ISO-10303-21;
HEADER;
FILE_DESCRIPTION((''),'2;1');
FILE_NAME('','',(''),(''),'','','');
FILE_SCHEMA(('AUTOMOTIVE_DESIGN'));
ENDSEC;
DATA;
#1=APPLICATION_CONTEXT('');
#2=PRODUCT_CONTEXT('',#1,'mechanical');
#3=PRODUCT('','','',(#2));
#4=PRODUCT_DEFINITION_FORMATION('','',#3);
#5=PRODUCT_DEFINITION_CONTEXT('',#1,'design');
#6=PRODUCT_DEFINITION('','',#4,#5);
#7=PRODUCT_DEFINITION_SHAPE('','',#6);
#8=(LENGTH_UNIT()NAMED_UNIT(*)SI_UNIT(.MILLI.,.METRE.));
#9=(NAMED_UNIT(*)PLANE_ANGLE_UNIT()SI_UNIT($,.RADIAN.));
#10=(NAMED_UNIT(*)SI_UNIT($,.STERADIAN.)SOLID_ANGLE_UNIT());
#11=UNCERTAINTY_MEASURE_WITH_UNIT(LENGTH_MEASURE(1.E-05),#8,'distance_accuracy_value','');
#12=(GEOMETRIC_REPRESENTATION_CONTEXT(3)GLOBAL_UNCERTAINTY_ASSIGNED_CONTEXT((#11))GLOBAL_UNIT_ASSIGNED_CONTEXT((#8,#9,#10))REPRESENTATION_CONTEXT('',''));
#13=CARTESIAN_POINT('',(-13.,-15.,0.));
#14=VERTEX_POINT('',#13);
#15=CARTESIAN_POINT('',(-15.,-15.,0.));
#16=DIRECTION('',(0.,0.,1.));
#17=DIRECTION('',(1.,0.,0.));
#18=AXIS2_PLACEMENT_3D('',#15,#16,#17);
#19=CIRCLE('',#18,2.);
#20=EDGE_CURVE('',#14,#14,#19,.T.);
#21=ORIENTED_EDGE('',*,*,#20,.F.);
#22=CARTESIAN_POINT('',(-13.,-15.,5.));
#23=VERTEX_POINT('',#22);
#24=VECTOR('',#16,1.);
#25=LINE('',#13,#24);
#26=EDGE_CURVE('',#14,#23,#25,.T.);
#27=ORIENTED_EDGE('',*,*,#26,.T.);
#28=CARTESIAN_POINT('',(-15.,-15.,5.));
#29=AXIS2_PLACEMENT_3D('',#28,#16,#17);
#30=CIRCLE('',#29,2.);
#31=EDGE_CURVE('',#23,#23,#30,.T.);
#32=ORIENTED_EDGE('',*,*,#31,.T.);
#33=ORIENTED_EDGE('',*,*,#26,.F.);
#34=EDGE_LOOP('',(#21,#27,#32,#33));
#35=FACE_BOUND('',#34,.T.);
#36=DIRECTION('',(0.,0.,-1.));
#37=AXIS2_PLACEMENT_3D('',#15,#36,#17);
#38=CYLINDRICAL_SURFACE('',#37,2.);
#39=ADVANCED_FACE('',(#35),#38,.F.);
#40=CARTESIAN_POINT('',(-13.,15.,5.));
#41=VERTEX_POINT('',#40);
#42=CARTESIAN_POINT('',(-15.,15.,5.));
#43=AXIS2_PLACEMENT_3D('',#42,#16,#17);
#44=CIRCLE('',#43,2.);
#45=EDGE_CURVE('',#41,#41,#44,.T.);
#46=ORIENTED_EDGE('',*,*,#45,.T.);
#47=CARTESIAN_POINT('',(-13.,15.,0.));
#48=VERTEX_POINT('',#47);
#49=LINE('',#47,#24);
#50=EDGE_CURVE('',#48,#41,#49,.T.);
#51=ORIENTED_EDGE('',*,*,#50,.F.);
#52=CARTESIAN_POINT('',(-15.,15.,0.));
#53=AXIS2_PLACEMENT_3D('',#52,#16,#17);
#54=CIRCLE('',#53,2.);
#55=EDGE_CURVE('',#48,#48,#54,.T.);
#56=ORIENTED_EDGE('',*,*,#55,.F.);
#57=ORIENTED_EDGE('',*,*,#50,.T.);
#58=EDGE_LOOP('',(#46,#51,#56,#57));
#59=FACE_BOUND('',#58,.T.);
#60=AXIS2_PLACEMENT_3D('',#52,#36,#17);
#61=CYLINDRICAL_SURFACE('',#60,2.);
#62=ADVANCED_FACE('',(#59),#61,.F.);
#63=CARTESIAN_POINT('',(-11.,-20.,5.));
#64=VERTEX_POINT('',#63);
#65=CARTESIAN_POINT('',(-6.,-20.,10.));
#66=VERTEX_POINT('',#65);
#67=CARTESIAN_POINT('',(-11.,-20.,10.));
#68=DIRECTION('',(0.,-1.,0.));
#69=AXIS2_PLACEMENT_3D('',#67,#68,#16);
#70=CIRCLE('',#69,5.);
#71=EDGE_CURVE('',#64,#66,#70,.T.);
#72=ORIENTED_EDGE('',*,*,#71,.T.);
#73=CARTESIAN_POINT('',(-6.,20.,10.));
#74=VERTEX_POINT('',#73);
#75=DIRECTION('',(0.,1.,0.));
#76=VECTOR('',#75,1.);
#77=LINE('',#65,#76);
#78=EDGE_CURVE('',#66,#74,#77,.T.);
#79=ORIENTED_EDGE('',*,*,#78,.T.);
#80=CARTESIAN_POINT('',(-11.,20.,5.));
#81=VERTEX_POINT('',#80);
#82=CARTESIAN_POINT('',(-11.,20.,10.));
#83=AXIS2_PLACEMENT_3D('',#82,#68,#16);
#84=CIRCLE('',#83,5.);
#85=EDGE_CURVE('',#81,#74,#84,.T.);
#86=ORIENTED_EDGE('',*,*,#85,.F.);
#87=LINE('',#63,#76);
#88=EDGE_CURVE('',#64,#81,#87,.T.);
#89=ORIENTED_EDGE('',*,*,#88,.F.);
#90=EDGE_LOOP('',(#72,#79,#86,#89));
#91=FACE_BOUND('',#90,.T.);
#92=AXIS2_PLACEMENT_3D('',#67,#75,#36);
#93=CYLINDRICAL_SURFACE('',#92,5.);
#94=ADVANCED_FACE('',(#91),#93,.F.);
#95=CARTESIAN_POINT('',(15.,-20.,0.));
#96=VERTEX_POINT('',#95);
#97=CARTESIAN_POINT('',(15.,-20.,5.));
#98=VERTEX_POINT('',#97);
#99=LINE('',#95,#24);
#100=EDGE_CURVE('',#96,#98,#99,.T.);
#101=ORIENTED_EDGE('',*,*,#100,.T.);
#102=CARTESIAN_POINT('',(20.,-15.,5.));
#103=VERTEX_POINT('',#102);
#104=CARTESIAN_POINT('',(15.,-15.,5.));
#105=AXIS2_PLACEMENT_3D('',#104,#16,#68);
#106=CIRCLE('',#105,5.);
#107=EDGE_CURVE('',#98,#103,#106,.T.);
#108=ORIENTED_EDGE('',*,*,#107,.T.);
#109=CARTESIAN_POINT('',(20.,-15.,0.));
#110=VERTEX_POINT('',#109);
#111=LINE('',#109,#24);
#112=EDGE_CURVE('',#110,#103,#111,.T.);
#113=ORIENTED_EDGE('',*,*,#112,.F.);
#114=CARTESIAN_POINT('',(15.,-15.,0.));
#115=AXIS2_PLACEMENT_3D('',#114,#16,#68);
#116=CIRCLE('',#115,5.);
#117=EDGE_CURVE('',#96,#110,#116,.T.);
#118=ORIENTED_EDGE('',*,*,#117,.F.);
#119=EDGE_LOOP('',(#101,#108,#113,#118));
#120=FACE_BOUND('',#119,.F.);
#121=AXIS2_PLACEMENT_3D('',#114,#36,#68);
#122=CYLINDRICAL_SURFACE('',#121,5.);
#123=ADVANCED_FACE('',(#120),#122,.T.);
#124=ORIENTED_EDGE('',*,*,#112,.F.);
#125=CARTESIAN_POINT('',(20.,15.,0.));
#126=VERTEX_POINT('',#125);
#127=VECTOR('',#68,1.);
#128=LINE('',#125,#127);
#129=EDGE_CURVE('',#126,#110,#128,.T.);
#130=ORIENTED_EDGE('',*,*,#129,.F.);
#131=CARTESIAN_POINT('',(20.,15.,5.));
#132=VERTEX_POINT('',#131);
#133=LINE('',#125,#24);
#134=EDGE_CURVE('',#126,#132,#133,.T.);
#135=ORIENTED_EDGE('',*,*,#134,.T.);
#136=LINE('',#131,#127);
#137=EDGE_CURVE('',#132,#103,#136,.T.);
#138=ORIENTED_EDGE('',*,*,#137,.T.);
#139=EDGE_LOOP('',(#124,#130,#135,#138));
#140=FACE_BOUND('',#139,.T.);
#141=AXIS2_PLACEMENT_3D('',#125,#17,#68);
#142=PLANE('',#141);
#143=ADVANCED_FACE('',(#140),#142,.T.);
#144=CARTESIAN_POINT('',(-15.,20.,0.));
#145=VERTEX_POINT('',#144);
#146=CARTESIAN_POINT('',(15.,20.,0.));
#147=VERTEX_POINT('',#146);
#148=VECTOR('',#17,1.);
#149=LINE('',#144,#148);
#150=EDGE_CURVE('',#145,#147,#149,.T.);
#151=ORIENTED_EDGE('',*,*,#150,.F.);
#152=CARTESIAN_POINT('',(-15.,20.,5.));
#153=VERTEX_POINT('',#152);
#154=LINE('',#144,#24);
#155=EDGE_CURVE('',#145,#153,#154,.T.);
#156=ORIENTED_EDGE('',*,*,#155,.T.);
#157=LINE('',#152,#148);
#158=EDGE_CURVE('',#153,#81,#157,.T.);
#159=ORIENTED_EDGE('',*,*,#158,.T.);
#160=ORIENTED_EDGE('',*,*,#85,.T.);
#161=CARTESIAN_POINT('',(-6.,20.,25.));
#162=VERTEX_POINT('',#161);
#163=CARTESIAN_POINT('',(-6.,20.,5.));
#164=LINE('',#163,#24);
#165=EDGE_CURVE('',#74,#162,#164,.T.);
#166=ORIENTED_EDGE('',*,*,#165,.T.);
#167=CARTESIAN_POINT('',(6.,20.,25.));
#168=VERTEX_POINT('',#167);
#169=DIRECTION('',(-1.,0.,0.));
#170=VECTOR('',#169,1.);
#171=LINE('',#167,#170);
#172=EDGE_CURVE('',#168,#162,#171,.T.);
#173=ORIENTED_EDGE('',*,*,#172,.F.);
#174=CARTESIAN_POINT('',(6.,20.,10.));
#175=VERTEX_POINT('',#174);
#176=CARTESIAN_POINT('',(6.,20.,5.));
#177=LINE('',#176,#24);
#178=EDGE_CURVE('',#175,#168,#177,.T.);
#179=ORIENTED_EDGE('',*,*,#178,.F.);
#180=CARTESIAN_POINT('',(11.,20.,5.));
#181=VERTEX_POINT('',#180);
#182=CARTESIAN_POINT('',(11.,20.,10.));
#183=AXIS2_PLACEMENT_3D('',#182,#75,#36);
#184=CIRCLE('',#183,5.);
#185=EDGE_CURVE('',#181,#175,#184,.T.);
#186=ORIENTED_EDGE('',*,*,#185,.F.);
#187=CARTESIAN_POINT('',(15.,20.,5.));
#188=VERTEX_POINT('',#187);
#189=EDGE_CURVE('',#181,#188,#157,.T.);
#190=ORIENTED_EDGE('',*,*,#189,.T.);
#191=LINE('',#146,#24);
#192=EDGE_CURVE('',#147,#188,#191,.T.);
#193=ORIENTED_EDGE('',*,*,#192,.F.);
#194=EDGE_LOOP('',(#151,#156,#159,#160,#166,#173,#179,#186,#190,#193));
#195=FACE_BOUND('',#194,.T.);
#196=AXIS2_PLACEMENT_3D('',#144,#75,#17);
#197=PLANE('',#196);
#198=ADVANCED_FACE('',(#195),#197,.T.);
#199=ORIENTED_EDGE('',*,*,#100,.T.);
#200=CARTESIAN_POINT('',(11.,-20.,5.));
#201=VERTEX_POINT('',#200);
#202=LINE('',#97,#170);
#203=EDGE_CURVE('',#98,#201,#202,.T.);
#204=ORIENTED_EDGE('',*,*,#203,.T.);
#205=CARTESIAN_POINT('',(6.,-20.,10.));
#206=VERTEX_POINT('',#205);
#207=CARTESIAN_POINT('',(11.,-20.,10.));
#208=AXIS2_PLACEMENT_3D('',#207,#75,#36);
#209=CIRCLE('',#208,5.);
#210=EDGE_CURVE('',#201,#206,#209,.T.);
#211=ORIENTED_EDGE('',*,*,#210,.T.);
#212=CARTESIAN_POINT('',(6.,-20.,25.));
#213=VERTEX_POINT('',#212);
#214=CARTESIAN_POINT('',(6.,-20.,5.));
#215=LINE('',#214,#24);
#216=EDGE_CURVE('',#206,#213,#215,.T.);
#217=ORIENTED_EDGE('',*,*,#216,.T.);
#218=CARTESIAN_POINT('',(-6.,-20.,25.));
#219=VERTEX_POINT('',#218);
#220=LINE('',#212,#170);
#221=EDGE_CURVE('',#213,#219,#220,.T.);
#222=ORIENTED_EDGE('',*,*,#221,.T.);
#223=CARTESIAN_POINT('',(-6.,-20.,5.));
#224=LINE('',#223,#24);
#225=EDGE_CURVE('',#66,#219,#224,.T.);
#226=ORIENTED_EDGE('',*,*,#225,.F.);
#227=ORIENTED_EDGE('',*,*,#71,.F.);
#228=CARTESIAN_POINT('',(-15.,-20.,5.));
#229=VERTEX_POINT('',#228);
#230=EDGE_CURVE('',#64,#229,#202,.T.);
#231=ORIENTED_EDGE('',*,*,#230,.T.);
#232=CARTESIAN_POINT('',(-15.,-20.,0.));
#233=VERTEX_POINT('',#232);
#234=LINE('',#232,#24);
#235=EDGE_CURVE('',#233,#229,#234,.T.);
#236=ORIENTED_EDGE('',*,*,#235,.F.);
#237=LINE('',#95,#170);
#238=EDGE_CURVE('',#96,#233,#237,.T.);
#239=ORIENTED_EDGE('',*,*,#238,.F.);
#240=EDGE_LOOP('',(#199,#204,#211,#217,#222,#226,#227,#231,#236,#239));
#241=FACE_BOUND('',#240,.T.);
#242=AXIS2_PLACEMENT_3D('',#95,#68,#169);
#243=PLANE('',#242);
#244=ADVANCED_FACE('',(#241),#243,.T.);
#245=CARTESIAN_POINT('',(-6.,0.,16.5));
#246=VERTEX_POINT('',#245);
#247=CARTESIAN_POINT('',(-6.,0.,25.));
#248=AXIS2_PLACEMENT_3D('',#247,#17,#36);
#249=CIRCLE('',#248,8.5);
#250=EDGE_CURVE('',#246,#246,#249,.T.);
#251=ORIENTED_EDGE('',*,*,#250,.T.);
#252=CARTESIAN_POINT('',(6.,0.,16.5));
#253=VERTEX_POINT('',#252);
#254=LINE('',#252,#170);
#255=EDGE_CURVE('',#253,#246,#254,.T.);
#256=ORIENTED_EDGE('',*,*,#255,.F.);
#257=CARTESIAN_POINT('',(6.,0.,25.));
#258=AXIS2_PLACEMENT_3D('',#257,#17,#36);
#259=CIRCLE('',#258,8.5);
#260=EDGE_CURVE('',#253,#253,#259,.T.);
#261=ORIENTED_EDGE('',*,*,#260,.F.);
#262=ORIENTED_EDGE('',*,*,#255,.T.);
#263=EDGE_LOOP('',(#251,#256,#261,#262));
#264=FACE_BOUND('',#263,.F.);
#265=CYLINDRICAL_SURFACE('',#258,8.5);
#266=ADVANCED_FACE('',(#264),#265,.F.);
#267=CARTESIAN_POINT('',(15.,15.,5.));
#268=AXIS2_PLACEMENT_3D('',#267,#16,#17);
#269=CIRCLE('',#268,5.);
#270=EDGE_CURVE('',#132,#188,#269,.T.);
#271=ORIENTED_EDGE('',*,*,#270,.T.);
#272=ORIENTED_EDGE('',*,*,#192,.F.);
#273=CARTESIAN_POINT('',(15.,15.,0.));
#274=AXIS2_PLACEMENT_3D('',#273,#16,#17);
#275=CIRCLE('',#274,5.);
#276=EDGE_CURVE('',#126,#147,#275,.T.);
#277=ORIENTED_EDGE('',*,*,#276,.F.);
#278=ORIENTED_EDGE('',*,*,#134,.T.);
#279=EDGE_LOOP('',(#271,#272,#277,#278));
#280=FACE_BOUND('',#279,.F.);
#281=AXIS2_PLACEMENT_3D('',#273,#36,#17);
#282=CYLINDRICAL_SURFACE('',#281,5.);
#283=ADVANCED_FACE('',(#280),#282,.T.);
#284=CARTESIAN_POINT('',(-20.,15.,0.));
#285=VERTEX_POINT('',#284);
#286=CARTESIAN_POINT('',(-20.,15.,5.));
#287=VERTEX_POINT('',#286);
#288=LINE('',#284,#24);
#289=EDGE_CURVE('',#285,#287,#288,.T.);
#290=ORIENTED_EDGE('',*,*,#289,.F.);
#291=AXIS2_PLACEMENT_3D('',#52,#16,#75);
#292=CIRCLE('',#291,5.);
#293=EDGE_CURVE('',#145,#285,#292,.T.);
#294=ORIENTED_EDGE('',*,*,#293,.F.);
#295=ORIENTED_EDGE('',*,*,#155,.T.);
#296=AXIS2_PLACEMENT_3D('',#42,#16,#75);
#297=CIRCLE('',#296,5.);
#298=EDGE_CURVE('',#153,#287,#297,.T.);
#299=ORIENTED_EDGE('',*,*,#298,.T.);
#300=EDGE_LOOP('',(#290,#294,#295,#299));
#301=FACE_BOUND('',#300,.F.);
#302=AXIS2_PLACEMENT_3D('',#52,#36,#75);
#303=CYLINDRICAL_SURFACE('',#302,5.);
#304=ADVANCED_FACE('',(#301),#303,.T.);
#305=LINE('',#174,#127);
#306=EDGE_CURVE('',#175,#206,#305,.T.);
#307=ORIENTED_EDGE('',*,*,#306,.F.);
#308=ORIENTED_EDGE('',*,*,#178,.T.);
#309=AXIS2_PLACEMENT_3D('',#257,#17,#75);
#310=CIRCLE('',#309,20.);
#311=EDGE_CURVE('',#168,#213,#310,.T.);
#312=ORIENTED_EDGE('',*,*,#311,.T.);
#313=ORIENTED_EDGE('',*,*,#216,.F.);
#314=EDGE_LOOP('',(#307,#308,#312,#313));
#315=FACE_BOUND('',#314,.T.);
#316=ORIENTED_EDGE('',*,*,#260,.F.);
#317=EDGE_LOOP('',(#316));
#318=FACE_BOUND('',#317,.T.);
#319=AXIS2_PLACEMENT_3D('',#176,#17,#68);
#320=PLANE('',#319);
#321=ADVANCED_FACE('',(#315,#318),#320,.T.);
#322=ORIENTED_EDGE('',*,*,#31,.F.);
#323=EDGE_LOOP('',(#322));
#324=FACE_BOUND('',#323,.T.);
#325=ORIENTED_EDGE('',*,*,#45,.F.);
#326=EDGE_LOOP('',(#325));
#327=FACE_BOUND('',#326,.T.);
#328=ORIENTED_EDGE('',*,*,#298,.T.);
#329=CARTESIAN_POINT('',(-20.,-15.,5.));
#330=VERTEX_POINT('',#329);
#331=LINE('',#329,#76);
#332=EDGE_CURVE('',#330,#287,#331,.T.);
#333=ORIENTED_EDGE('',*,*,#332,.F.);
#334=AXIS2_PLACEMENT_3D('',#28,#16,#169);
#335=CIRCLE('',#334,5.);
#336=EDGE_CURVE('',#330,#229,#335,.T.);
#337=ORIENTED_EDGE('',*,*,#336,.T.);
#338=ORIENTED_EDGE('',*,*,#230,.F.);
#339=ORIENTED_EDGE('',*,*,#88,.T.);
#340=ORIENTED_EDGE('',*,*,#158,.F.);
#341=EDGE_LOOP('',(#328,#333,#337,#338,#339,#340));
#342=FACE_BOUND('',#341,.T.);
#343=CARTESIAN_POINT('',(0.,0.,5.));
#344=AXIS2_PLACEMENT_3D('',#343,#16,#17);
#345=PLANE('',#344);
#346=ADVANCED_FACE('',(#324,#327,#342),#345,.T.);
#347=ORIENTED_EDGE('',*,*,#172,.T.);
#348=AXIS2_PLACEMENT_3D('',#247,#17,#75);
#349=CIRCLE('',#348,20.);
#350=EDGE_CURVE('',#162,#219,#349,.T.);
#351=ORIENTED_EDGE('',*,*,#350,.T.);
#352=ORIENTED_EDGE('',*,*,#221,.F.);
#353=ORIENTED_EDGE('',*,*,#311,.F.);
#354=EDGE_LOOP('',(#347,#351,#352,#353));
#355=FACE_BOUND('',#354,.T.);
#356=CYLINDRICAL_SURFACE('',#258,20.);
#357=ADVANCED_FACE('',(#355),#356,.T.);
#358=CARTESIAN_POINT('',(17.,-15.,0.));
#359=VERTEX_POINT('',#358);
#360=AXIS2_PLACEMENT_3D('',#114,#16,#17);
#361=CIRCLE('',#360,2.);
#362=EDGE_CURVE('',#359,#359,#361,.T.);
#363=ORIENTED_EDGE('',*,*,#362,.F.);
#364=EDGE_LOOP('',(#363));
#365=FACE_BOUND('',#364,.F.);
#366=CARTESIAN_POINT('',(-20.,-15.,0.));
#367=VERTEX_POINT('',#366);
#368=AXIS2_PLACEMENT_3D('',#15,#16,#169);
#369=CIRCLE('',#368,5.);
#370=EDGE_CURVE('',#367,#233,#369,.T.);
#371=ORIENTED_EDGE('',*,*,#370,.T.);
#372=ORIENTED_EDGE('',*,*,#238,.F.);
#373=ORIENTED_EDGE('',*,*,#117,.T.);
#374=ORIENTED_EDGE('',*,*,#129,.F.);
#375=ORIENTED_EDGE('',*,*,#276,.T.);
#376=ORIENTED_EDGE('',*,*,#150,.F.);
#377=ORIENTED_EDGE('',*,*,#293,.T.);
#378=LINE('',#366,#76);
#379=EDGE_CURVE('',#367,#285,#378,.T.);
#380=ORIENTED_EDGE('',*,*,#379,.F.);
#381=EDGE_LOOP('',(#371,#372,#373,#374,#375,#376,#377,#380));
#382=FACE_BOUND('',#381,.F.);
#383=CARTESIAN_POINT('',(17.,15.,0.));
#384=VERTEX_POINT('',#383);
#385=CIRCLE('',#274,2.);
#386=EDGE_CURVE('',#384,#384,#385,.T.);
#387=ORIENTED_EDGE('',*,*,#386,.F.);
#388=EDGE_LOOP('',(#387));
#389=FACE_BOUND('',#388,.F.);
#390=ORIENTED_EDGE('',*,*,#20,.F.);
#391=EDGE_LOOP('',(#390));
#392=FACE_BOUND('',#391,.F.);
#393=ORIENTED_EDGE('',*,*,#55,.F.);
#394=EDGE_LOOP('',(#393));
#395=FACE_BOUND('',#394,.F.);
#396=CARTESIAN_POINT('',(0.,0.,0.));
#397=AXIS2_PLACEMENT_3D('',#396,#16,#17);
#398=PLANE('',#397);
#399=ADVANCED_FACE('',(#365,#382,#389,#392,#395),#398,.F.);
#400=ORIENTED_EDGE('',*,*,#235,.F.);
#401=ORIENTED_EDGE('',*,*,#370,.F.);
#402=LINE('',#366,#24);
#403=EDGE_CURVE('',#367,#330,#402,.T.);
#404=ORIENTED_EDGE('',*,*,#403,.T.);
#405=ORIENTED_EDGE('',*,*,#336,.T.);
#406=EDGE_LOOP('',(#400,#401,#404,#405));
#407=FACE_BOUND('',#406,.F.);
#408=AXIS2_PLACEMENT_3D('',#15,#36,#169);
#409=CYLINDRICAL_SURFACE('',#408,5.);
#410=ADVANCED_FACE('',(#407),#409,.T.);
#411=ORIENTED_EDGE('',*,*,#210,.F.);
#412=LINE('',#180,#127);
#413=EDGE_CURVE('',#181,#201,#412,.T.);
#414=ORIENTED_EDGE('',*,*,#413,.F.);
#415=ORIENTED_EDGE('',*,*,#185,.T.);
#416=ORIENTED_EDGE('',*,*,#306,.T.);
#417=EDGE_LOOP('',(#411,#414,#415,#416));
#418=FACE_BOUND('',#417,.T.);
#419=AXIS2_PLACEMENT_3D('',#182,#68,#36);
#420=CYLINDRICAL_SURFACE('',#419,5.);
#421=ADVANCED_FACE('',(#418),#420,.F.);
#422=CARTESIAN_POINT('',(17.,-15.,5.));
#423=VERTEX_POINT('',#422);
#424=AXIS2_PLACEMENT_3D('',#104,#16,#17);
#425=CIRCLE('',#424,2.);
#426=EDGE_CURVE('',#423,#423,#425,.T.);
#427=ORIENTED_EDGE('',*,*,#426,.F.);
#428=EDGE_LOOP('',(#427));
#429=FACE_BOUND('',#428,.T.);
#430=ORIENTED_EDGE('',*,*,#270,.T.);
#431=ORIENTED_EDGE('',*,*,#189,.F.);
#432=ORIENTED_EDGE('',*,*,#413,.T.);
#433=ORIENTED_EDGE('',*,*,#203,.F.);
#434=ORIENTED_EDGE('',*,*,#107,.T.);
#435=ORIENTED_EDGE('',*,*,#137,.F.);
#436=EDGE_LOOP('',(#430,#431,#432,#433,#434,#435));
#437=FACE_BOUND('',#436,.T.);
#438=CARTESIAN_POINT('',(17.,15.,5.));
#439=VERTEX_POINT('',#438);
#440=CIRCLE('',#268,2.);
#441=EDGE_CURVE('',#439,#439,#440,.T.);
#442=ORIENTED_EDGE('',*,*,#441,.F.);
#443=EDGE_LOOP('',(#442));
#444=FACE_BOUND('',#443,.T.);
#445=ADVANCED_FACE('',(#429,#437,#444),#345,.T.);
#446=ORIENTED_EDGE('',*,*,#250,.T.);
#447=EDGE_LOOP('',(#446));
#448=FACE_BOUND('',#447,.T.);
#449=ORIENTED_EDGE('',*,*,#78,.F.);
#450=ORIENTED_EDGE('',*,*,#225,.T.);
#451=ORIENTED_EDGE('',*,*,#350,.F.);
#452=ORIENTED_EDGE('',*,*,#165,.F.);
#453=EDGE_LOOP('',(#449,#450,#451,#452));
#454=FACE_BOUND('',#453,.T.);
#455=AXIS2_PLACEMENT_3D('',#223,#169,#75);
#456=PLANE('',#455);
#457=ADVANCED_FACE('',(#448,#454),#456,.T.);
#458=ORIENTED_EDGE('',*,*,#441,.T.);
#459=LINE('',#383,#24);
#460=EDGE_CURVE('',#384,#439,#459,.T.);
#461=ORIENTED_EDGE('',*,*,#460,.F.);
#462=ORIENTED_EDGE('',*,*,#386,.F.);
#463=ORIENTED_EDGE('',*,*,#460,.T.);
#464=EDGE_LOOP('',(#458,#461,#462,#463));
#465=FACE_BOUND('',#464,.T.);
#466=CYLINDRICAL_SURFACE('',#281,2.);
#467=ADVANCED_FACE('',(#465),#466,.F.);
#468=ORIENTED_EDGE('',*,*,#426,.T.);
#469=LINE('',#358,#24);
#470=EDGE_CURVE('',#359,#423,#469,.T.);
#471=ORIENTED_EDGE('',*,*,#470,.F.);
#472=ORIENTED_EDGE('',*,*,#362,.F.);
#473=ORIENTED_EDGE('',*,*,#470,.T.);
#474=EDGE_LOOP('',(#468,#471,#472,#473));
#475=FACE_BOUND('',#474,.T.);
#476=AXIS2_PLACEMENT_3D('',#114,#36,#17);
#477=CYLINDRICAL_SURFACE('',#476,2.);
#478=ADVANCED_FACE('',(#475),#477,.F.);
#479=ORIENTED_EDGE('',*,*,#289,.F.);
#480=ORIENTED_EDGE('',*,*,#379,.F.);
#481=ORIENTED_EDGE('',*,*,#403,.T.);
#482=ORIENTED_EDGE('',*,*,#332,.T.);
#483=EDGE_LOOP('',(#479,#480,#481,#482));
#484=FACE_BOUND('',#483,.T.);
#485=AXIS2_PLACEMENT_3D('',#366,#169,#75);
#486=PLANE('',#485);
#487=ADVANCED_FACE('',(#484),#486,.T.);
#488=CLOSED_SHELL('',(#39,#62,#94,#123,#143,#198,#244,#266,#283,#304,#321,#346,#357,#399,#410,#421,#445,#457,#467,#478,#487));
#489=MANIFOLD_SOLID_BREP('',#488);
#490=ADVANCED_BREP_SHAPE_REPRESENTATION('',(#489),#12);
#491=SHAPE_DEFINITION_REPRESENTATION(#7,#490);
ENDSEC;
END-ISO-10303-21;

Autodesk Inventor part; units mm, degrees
ref_plane "YZ Plane" through (0, 0, 0) normal (1, 0, 0) x (0, 1, 0)
ref_plane "XZ Plane" through (0, 0, 0) normal (0, 1, 0) x (-1, 0, 0)
ref_plane "XY Plane" through (0, 0, 0) normal (0, 0, 1) x (1, 0, 0)
sketch "Sketch5" plane through (0, 0, 0) normal (0, 0, 1) x (1, 0, 0)
  line L0 (-15, 15) -> (15, 15) construction
  line L1 (15, 15) -> (15, -15) construction
  line L2 (15, -15) -> (-15, -15) construction
  line L3 (-15, -15) -> (-15, 15) construction
  line L4 (-15, 15) -> (15, -15) construction
  line L5 (15, 15) -> (-15, -15) construction
  circle A0 centre (-15, 15) radius 2
  circle A1 centre (15, 15) radius 2
  circle A2 centre (15, -15) radius 2
  circle A3 centre (-15, -15) radius 2
  line L6 (-15, 20) -> (15, 20)
  line L7 (20, 15) -> (20, -15)
  line L8 (15, -20) -> (-15, -20)
  line L9 (-20, -15) -> (-20, 15)
  line L10 (-20, 20) -> (20, -20) construction
  line L11 (20, 20) -> (-20, -20) construction
  arc A4 (20, 15) -> (15, 20) centre (15, 15) ccw
  arc A5 (15, -20) -> (20, -15) centre (15, -15) ccw
  arc A6 (-20, -15) -> (-15, -20) centre (-15, -15) ccw
  arc A7 (-15, 20) -> (-20, 15) centre (-15, 15) ccw
  point P0 (0, 0)
  dimension "d16" = 4
  dimension "d17" = 30
  dimension "d18" = 40
  dimension "d20" = 5
extrude "Extrusion5" add sketch "Sketch5" along normal blind 5
sketch "Sketch6" plane through (0, 0, 5) normal (0, 0, 1) x (1, 0, 0)
  line L0 (-15, -20) -> (15, -20) projected
  line L1 (-6, 20) -> (6, 20)
  line L2 (6, 20) -> (6, -20)
  line L3 (6, -20) -> (-6, -20)
  line L4 (-6, -20) -> (-6, 20)
  line L5 (-6, 20) -> (6, -20) construction
  line L6 (6, 20) -> (-6, -20) construction
  point P0 (0, 0)
  dimension "d23" = 12
extrude "Extrusion6" add sketch "Sketch6" along normal blind 40
fillet "Fillet2" radius 5 2 edges at (6, 0, 5) (-6, 0, 5)
sketch "Sketch7" plane through (6, -20, 45) normal (1, 0, 0) x (0, 0, -1)
  circle A0 centre (20, 20) radius 8.5
  circle A1 centre (20, 20) radius 20
  line L0 (0, 0) -> (0, 40) projected
  line L1 (40, 0) -> (40, 40) projected
  line L2 (35, 0) -> (0, 0) projected
  line L3 (20, 0) -> (0, 0)
  line L4 (0, 0) -> (0, 40)
  line L5 (0, 40) -> (20, 40)
  line L6 (35, 40) -> (0, 40) projected
  point P0 (45, 20)
  point P1 (0, 20)
  dimension "d27" = 17
extrude "Extrusion7" cut sketch "Sketch7" against normal blind 50 contours A0 | A1 L0 L5 | L2 L0 A1
sketch "Sketch1" plane through (0, 0, 0) normal (0, 1, 0) x (-1, 0, 0)
  line L0 (27.5, 22.5) -> (-27.5, 22.5)
  line L1 (-27.5, 22.5) -> (-27.5, -22.5)
  line L2 (-27.5, -22.5) -> (27.5, -22.5)
  line L3 (27.5, -22.5) -> (27.5, 22.5)
  point P0 (0, 0)
  point P1 (27.5, 0)
  point P2 (0, -22.5)
  dimension "d0" = 45
  dimension "d1" = 55
sketch "Sketch2" plane through (0, 10, 0) normal (0, 1, 0) x (1, 0, 0)
  line L0 (-27.5, 22.5) -> (-27.5, -22.5) projected
  line L1 (-27.5, -22.5) -> (27.5, -22.5) projected
  line L2 (-27.5, 22.5) -> (-19.5, 22.5)
  line L3 (-19.5, 22.5) -> (-19.5, -22.5)
  line L4 (-19.5, -22.5) -> (-27.5, -22.5)
  line L5 (-27.5, -22.5) -> (-27.5, 22.5)
  line L6 (27.5, -22.5) -> (27.5, 22.5) projected
  line L7 (27.5, 22.5) -> (19.5, 22.5)
  line L8 (19.5, 22.5) -> (19.5, -22.5)
  line L9 (19.5, -22.5) -> (27.5, -22.5)
  line L10 (27.5, -22.5) -> (27.5, 22.5)
  point P0 (0, 0)
  dimension "d4" = 8
  dimension "d5" = 8
sketch "Sketch4" plane through (0, 0, 0) normal (0, -1, 0) x (1, 0, 0)
  line L0 (15, 15) -> (-15, 15) construction
  line L1 (-15, 15) -> (-15, -15) construction
  line L2 (-15, -15) -> (15, -15) construction
  line L3 (15, -15) -> (15, 15) construction
  line L4 (15, 15) -> (-15, -15) construction
  line L5 (-15, 15) -> (15, -15) construction
  circle A0 centre (15, -15) radius 2
  circle A1 centre (-15, -15) radius 2
  circle A2 centre (-15, 15) radius 2
  circle A3 centre (15, 15) radius 2
  point P0 (0, 0)
  dimension "d12" = 30
  dimension "d13" = 4
sketch "Sketch3" plane through (27.5, 0, 22.5) normal (1, 0, 0) x (0, 0, -1)
  circle A0 centre (22.5, 25) radius 15
  line L0 (22.5, 25) -> (22.5, 47.5) construction
  line L1 (45, 47.5) -> (0, 47.5) projected
  line L2 (22.5, 25) -> (45, 25) construction
  line L3 (45, 0) -> (45, 47.5) projected
  point P0 (22.5, 0)
  dimension "d9" = 30
properties part number "Hinge"
